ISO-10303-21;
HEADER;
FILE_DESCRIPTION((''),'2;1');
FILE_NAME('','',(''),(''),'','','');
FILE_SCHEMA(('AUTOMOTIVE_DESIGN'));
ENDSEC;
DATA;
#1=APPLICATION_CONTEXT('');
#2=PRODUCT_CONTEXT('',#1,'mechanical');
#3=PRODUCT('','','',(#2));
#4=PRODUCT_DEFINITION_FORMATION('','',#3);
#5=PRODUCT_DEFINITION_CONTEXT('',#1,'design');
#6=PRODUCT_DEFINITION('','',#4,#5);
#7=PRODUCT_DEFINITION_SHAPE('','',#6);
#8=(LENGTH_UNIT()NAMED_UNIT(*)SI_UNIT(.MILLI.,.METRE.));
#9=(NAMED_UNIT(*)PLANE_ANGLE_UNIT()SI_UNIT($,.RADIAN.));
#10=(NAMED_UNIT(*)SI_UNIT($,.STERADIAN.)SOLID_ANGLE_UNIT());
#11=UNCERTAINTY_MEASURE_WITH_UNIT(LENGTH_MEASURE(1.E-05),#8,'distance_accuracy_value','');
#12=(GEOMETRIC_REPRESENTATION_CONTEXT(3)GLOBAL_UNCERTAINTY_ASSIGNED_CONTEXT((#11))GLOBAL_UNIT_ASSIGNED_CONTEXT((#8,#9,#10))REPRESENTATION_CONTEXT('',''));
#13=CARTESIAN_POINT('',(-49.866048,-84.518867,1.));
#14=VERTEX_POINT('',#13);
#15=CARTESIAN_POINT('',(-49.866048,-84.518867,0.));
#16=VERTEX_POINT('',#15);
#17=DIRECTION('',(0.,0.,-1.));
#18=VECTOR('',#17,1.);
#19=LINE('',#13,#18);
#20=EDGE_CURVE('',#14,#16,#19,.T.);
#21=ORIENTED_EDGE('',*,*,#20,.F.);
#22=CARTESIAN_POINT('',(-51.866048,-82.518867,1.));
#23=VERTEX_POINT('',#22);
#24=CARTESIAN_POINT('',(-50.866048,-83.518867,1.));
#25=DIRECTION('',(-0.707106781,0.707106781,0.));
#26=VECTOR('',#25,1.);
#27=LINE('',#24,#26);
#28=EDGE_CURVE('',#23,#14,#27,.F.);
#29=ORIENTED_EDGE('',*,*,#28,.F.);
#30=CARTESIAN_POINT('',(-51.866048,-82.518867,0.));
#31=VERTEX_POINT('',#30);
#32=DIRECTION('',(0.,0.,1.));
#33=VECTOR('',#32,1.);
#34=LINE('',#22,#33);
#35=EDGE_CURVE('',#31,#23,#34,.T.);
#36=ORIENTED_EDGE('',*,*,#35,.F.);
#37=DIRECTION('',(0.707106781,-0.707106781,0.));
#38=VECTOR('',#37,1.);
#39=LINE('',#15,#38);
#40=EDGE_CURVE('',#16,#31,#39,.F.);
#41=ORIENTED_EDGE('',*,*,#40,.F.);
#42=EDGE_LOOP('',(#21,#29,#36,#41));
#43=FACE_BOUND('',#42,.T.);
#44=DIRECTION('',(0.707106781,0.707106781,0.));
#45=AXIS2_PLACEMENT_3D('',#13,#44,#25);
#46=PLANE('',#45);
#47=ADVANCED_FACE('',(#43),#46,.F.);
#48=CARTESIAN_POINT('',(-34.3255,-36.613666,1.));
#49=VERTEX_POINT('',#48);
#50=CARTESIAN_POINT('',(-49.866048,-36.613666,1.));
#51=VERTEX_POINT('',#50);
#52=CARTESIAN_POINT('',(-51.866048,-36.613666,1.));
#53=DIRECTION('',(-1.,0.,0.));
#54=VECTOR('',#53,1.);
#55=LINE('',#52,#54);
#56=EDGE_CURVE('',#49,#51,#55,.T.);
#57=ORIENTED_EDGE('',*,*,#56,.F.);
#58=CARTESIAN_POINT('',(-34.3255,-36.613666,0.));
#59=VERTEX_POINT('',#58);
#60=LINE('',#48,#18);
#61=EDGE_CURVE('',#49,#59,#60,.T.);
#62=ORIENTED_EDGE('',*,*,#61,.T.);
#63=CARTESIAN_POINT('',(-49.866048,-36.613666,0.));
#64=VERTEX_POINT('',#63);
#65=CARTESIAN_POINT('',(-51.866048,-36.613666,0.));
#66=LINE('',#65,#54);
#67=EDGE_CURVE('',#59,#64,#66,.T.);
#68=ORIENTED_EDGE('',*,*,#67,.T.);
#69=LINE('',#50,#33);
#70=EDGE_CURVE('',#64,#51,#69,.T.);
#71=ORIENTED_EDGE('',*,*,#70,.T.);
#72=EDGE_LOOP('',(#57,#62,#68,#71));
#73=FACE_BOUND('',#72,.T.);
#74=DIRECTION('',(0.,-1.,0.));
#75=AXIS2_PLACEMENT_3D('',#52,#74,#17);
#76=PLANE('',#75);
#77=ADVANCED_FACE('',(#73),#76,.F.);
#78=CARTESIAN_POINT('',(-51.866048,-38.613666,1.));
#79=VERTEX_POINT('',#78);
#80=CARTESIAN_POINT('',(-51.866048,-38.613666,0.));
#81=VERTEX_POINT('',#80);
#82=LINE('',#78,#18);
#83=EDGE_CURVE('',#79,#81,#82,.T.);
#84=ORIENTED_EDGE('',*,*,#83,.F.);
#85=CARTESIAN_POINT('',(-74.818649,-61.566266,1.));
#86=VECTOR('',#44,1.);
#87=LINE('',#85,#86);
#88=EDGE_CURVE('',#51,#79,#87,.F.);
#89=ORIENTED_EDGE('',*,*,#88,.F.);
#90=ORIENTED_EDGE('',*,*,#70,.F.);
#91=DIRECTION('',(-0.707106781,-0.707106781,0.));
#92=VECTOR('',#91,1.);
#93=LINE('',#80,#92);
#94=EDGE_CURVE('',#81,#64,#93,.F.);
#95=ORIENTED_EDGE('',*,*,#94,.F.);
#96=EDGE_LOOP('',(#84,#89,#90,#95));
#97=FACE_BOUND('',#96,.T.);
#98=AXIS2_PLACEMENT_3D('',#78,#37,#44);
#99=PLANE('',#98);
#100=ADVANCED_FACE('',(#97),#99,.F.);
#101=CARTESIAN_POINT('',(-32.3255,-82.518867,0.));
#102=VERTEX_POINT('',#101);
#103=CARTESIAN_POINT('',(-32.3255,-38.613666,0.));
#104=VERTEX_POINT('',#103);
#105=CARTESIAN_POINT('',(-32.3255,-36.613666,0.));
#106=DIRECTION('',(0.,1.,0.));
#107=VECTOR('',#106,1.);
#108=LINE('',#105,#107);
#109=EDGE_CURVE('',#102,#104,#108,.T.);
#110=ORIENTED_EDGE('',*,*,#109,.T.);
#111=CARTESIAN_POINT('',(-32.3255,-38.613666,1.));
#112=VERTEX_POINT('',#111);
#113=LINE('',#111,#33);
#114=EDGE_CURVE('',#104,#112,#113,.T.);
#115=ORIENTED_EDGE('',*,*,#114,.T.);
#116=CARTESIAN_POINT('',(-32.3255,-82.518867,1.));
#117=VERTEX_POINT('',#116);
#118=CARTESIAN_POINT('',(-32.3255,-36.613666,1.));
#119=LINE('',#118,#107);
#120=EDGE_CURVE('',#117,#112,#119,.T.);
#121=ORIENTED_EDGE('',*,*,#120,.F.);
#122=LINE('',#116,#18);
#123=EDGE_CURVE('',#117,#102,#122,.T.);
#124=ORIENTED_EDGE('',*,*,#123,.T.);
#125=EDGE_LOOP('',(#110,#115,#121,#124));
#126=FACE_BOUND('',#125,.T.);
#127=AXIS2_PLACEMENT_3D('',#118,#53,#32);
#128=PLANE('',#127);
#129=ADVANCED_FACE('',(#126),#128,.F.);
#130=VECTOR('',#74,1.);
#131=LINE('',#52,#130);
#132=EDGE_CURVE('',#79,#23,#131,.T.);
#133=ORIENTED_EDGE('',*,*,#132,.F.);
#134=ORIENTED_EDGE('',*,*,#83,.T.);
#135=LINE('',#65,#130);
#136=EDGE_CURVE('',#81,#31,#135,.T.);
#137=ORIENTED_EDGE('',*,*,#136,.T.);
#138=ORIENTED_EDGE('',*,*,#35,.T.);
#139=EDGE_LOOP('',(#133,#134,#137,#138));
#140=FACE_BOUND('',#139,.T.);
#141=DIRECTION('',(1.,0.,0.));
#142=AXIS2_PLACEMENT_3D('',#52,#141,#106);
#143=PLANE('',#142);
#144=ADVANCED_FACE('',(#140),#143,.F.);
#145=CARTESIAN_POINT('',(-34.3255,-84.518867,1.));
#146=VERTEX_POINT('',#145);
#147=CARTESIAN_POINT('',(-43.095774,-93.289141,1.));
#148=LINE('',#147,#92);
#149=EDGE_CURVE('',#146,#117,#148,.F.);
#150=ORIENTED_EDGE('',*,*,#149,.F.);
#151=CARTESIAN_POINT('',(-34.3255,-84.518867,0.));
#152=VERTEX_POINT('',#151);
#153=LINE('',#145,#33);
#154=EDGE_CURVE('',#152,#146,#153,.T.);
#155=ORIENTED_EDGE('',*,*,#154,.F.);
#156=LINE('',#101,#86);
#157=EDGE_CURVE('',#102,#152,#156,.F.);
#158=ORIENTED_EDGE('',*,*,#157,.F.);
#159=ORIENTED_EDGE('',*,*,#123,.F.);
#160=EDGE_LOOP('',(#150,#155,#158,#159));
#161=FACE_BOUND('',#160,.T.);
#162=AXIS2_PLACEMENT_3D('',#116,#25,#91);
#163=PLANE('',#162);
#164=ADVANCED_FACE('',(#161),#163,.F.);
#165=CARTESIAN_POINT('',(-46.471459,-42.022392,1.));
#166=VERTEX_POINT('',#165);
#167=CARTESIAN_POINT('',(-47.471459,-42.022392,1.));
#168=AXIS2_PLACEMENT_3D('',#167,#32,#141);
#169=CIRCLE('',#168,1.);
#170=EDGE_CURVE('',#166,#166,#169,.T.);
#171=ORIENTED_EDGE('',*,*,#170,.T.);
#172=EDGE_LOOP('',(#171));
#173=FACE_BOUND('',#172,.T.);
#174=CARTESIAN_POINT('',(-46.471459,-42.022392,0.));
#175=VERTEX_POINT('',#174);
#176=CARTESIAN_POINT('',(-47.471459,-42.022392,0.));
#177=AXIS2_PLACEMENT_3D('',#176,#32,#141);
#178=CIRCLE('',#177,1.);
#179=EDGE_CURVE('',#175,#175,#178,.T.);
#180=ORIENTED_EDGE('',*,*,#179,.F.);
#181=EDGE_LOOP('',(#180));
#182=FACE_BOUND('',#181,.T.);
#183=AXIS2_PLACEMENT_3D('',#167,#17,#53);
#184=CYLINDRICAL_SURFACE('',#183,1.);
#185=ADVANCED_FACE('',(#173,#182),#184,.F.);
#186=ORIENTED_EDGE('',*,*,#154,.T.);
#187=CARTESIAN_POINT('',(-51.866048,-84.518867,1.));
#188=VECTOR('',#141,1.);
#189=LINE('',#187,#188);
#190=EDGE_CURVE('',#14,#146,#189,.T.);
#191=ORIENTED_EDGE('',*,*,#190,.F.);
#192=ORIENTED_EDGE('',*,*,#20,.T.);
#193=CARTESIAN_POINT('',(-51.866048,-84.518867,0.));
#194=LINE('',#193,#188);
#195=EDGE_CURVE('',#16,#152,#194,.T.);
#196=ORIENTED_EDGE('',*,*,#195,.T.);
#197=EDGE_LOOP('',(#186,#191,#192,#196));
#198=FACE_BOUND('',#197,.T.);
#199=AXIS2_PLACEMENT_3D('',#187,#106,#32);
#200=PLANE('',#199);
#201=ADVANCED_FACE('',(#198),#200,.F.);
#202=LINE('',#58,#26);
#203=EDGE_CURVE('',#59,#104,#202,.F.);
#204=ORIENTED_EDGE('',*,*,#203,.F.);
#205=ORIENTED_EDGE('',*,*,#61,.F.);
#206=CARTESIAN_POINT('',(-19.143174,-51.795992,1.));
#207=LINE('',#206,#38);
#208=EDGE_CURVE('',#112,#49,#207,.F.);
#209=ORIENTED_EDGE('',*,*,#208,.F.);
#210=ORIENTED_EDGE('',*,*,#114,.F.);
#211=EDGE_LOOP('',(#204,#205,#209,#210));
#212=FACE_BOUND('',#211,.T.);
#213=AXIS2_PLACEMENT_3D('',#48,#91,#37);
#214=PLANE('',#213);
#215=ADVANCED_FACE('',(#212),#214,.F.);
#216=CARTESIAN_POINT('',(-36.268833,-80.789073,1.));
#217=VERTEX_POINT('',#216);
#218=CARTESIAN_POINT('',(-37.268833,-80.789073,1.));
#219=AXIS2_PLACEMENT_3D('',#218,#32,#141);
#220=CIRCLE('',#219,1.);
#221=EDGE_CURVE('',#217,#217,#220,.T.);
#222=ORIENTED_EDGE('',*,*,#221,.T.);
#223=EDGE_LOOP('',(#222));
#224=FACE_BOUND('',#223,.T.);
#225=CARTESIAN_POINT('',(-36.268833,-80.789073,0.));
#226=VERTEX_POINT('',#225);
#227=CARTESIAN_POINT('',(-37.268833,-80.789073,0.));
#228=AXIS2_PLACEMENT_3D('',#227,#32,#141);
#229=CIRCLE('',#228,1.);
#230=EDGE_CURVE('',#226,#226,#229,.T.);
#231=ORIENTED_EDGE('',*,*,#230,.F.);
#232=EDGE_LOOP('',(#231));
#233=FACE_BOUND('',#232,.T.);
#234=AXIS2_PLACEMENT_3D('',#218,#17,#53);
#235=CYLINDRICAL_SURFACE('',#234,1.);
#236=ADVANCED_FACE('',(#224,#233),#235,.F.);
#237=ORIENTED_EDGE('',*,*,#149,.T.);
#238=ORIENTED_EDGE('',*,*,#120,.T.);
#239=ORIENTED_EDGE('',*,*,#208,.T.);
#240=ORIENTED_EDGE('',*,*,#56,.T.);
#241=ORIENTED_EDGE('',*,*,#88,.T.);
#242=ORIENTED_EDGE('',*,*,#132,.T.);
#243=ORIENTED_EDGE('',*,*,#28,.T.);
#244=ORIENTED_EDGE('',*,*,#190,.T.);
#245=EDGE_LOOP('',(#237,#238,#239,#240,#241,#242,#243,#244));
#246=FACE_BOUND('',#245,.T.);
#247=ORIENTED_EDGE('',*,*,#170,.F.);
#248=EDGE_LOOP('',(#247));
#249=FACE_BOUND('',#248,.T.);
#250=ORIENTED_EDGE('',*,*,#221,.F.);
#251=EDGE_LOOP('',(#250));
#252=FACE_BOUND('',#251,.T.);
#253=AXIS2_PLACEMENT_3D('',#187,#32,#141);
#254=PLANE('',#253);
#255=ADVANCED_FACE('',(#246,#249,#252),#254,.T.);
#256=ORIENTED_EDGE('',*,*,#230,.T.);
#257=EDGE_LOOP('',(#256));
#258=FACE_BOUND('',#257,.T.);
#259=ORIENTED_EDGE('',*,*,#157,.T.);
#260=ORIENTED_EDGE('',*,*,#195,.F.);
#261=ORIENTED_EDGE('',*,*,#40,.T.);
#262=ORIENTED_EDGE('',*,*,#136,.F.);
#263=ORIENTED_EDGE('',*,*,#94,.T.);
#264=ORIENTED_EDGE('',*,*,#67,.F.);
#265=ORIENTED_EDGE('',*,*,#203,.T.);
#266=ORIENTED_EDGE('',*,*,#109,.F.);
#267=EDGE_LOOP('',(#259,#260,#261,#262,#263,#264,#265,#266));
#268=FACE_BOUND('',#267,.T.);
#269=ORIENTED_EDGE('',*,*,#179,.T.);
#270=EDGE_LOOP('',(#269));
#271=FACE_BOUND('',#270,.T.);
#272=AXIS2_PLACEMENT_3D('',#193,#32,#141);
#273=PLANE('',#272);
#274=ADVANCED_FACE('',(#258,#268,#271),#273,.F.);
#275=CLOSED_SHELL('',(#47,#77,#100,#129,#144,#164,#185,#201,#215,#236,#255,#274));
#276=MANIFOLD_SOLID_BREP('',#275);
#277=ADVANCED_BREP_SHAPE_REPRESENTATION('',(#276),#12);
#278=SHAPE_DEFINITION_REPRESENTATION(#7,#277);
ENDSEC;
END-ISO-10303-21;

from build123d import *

# Parameters (mm, degrees)
ESQUISSE1_W      = 19.540548481
ESQUISSE1_H      = 47.905200599
ESQUISSE1_R      = 1
EXTRUSION1_DEPTH = 1
CHANFREIN1_SIZE  = 2


with BuildPart() as part:
    # Esquisse1 → Extrusion1 (new body)
    with BuildSketch(Plane.XY):
        with Locations((-42.09577401, -60.566266396)):
            Rectangle(ESQUISSE1_W, ESQUISSE1_H)
        with Locations((-37.268833007, -80.789072635)):
            Circle(ESQUISSE1_R, mode=Mode.SUBTRACT)
        with Locations((-47.471458714, -42.022391679)):
            Circle(ESQUISSE1_R, mode=Mode.SUBTRACT)
    extrude(amount=EXTRUSION1_DEPTH)

    # Chanfrein1
    chanfrein1_edges = [part.edges().sort_by_distance(p)[0] for p in [
        (-51.86604825, -36.613666097, 0.5),
        (-32.325499769, -36.613666097, 0.5),
        (-32.325499769, -84.518866696, 0.5),
        (-51.86604825, -84.518866696, 0.5),
    ]]
    chamfer(chanfrein1_edges, length=CHANFREIN1_SIZE)


solid = part.part
